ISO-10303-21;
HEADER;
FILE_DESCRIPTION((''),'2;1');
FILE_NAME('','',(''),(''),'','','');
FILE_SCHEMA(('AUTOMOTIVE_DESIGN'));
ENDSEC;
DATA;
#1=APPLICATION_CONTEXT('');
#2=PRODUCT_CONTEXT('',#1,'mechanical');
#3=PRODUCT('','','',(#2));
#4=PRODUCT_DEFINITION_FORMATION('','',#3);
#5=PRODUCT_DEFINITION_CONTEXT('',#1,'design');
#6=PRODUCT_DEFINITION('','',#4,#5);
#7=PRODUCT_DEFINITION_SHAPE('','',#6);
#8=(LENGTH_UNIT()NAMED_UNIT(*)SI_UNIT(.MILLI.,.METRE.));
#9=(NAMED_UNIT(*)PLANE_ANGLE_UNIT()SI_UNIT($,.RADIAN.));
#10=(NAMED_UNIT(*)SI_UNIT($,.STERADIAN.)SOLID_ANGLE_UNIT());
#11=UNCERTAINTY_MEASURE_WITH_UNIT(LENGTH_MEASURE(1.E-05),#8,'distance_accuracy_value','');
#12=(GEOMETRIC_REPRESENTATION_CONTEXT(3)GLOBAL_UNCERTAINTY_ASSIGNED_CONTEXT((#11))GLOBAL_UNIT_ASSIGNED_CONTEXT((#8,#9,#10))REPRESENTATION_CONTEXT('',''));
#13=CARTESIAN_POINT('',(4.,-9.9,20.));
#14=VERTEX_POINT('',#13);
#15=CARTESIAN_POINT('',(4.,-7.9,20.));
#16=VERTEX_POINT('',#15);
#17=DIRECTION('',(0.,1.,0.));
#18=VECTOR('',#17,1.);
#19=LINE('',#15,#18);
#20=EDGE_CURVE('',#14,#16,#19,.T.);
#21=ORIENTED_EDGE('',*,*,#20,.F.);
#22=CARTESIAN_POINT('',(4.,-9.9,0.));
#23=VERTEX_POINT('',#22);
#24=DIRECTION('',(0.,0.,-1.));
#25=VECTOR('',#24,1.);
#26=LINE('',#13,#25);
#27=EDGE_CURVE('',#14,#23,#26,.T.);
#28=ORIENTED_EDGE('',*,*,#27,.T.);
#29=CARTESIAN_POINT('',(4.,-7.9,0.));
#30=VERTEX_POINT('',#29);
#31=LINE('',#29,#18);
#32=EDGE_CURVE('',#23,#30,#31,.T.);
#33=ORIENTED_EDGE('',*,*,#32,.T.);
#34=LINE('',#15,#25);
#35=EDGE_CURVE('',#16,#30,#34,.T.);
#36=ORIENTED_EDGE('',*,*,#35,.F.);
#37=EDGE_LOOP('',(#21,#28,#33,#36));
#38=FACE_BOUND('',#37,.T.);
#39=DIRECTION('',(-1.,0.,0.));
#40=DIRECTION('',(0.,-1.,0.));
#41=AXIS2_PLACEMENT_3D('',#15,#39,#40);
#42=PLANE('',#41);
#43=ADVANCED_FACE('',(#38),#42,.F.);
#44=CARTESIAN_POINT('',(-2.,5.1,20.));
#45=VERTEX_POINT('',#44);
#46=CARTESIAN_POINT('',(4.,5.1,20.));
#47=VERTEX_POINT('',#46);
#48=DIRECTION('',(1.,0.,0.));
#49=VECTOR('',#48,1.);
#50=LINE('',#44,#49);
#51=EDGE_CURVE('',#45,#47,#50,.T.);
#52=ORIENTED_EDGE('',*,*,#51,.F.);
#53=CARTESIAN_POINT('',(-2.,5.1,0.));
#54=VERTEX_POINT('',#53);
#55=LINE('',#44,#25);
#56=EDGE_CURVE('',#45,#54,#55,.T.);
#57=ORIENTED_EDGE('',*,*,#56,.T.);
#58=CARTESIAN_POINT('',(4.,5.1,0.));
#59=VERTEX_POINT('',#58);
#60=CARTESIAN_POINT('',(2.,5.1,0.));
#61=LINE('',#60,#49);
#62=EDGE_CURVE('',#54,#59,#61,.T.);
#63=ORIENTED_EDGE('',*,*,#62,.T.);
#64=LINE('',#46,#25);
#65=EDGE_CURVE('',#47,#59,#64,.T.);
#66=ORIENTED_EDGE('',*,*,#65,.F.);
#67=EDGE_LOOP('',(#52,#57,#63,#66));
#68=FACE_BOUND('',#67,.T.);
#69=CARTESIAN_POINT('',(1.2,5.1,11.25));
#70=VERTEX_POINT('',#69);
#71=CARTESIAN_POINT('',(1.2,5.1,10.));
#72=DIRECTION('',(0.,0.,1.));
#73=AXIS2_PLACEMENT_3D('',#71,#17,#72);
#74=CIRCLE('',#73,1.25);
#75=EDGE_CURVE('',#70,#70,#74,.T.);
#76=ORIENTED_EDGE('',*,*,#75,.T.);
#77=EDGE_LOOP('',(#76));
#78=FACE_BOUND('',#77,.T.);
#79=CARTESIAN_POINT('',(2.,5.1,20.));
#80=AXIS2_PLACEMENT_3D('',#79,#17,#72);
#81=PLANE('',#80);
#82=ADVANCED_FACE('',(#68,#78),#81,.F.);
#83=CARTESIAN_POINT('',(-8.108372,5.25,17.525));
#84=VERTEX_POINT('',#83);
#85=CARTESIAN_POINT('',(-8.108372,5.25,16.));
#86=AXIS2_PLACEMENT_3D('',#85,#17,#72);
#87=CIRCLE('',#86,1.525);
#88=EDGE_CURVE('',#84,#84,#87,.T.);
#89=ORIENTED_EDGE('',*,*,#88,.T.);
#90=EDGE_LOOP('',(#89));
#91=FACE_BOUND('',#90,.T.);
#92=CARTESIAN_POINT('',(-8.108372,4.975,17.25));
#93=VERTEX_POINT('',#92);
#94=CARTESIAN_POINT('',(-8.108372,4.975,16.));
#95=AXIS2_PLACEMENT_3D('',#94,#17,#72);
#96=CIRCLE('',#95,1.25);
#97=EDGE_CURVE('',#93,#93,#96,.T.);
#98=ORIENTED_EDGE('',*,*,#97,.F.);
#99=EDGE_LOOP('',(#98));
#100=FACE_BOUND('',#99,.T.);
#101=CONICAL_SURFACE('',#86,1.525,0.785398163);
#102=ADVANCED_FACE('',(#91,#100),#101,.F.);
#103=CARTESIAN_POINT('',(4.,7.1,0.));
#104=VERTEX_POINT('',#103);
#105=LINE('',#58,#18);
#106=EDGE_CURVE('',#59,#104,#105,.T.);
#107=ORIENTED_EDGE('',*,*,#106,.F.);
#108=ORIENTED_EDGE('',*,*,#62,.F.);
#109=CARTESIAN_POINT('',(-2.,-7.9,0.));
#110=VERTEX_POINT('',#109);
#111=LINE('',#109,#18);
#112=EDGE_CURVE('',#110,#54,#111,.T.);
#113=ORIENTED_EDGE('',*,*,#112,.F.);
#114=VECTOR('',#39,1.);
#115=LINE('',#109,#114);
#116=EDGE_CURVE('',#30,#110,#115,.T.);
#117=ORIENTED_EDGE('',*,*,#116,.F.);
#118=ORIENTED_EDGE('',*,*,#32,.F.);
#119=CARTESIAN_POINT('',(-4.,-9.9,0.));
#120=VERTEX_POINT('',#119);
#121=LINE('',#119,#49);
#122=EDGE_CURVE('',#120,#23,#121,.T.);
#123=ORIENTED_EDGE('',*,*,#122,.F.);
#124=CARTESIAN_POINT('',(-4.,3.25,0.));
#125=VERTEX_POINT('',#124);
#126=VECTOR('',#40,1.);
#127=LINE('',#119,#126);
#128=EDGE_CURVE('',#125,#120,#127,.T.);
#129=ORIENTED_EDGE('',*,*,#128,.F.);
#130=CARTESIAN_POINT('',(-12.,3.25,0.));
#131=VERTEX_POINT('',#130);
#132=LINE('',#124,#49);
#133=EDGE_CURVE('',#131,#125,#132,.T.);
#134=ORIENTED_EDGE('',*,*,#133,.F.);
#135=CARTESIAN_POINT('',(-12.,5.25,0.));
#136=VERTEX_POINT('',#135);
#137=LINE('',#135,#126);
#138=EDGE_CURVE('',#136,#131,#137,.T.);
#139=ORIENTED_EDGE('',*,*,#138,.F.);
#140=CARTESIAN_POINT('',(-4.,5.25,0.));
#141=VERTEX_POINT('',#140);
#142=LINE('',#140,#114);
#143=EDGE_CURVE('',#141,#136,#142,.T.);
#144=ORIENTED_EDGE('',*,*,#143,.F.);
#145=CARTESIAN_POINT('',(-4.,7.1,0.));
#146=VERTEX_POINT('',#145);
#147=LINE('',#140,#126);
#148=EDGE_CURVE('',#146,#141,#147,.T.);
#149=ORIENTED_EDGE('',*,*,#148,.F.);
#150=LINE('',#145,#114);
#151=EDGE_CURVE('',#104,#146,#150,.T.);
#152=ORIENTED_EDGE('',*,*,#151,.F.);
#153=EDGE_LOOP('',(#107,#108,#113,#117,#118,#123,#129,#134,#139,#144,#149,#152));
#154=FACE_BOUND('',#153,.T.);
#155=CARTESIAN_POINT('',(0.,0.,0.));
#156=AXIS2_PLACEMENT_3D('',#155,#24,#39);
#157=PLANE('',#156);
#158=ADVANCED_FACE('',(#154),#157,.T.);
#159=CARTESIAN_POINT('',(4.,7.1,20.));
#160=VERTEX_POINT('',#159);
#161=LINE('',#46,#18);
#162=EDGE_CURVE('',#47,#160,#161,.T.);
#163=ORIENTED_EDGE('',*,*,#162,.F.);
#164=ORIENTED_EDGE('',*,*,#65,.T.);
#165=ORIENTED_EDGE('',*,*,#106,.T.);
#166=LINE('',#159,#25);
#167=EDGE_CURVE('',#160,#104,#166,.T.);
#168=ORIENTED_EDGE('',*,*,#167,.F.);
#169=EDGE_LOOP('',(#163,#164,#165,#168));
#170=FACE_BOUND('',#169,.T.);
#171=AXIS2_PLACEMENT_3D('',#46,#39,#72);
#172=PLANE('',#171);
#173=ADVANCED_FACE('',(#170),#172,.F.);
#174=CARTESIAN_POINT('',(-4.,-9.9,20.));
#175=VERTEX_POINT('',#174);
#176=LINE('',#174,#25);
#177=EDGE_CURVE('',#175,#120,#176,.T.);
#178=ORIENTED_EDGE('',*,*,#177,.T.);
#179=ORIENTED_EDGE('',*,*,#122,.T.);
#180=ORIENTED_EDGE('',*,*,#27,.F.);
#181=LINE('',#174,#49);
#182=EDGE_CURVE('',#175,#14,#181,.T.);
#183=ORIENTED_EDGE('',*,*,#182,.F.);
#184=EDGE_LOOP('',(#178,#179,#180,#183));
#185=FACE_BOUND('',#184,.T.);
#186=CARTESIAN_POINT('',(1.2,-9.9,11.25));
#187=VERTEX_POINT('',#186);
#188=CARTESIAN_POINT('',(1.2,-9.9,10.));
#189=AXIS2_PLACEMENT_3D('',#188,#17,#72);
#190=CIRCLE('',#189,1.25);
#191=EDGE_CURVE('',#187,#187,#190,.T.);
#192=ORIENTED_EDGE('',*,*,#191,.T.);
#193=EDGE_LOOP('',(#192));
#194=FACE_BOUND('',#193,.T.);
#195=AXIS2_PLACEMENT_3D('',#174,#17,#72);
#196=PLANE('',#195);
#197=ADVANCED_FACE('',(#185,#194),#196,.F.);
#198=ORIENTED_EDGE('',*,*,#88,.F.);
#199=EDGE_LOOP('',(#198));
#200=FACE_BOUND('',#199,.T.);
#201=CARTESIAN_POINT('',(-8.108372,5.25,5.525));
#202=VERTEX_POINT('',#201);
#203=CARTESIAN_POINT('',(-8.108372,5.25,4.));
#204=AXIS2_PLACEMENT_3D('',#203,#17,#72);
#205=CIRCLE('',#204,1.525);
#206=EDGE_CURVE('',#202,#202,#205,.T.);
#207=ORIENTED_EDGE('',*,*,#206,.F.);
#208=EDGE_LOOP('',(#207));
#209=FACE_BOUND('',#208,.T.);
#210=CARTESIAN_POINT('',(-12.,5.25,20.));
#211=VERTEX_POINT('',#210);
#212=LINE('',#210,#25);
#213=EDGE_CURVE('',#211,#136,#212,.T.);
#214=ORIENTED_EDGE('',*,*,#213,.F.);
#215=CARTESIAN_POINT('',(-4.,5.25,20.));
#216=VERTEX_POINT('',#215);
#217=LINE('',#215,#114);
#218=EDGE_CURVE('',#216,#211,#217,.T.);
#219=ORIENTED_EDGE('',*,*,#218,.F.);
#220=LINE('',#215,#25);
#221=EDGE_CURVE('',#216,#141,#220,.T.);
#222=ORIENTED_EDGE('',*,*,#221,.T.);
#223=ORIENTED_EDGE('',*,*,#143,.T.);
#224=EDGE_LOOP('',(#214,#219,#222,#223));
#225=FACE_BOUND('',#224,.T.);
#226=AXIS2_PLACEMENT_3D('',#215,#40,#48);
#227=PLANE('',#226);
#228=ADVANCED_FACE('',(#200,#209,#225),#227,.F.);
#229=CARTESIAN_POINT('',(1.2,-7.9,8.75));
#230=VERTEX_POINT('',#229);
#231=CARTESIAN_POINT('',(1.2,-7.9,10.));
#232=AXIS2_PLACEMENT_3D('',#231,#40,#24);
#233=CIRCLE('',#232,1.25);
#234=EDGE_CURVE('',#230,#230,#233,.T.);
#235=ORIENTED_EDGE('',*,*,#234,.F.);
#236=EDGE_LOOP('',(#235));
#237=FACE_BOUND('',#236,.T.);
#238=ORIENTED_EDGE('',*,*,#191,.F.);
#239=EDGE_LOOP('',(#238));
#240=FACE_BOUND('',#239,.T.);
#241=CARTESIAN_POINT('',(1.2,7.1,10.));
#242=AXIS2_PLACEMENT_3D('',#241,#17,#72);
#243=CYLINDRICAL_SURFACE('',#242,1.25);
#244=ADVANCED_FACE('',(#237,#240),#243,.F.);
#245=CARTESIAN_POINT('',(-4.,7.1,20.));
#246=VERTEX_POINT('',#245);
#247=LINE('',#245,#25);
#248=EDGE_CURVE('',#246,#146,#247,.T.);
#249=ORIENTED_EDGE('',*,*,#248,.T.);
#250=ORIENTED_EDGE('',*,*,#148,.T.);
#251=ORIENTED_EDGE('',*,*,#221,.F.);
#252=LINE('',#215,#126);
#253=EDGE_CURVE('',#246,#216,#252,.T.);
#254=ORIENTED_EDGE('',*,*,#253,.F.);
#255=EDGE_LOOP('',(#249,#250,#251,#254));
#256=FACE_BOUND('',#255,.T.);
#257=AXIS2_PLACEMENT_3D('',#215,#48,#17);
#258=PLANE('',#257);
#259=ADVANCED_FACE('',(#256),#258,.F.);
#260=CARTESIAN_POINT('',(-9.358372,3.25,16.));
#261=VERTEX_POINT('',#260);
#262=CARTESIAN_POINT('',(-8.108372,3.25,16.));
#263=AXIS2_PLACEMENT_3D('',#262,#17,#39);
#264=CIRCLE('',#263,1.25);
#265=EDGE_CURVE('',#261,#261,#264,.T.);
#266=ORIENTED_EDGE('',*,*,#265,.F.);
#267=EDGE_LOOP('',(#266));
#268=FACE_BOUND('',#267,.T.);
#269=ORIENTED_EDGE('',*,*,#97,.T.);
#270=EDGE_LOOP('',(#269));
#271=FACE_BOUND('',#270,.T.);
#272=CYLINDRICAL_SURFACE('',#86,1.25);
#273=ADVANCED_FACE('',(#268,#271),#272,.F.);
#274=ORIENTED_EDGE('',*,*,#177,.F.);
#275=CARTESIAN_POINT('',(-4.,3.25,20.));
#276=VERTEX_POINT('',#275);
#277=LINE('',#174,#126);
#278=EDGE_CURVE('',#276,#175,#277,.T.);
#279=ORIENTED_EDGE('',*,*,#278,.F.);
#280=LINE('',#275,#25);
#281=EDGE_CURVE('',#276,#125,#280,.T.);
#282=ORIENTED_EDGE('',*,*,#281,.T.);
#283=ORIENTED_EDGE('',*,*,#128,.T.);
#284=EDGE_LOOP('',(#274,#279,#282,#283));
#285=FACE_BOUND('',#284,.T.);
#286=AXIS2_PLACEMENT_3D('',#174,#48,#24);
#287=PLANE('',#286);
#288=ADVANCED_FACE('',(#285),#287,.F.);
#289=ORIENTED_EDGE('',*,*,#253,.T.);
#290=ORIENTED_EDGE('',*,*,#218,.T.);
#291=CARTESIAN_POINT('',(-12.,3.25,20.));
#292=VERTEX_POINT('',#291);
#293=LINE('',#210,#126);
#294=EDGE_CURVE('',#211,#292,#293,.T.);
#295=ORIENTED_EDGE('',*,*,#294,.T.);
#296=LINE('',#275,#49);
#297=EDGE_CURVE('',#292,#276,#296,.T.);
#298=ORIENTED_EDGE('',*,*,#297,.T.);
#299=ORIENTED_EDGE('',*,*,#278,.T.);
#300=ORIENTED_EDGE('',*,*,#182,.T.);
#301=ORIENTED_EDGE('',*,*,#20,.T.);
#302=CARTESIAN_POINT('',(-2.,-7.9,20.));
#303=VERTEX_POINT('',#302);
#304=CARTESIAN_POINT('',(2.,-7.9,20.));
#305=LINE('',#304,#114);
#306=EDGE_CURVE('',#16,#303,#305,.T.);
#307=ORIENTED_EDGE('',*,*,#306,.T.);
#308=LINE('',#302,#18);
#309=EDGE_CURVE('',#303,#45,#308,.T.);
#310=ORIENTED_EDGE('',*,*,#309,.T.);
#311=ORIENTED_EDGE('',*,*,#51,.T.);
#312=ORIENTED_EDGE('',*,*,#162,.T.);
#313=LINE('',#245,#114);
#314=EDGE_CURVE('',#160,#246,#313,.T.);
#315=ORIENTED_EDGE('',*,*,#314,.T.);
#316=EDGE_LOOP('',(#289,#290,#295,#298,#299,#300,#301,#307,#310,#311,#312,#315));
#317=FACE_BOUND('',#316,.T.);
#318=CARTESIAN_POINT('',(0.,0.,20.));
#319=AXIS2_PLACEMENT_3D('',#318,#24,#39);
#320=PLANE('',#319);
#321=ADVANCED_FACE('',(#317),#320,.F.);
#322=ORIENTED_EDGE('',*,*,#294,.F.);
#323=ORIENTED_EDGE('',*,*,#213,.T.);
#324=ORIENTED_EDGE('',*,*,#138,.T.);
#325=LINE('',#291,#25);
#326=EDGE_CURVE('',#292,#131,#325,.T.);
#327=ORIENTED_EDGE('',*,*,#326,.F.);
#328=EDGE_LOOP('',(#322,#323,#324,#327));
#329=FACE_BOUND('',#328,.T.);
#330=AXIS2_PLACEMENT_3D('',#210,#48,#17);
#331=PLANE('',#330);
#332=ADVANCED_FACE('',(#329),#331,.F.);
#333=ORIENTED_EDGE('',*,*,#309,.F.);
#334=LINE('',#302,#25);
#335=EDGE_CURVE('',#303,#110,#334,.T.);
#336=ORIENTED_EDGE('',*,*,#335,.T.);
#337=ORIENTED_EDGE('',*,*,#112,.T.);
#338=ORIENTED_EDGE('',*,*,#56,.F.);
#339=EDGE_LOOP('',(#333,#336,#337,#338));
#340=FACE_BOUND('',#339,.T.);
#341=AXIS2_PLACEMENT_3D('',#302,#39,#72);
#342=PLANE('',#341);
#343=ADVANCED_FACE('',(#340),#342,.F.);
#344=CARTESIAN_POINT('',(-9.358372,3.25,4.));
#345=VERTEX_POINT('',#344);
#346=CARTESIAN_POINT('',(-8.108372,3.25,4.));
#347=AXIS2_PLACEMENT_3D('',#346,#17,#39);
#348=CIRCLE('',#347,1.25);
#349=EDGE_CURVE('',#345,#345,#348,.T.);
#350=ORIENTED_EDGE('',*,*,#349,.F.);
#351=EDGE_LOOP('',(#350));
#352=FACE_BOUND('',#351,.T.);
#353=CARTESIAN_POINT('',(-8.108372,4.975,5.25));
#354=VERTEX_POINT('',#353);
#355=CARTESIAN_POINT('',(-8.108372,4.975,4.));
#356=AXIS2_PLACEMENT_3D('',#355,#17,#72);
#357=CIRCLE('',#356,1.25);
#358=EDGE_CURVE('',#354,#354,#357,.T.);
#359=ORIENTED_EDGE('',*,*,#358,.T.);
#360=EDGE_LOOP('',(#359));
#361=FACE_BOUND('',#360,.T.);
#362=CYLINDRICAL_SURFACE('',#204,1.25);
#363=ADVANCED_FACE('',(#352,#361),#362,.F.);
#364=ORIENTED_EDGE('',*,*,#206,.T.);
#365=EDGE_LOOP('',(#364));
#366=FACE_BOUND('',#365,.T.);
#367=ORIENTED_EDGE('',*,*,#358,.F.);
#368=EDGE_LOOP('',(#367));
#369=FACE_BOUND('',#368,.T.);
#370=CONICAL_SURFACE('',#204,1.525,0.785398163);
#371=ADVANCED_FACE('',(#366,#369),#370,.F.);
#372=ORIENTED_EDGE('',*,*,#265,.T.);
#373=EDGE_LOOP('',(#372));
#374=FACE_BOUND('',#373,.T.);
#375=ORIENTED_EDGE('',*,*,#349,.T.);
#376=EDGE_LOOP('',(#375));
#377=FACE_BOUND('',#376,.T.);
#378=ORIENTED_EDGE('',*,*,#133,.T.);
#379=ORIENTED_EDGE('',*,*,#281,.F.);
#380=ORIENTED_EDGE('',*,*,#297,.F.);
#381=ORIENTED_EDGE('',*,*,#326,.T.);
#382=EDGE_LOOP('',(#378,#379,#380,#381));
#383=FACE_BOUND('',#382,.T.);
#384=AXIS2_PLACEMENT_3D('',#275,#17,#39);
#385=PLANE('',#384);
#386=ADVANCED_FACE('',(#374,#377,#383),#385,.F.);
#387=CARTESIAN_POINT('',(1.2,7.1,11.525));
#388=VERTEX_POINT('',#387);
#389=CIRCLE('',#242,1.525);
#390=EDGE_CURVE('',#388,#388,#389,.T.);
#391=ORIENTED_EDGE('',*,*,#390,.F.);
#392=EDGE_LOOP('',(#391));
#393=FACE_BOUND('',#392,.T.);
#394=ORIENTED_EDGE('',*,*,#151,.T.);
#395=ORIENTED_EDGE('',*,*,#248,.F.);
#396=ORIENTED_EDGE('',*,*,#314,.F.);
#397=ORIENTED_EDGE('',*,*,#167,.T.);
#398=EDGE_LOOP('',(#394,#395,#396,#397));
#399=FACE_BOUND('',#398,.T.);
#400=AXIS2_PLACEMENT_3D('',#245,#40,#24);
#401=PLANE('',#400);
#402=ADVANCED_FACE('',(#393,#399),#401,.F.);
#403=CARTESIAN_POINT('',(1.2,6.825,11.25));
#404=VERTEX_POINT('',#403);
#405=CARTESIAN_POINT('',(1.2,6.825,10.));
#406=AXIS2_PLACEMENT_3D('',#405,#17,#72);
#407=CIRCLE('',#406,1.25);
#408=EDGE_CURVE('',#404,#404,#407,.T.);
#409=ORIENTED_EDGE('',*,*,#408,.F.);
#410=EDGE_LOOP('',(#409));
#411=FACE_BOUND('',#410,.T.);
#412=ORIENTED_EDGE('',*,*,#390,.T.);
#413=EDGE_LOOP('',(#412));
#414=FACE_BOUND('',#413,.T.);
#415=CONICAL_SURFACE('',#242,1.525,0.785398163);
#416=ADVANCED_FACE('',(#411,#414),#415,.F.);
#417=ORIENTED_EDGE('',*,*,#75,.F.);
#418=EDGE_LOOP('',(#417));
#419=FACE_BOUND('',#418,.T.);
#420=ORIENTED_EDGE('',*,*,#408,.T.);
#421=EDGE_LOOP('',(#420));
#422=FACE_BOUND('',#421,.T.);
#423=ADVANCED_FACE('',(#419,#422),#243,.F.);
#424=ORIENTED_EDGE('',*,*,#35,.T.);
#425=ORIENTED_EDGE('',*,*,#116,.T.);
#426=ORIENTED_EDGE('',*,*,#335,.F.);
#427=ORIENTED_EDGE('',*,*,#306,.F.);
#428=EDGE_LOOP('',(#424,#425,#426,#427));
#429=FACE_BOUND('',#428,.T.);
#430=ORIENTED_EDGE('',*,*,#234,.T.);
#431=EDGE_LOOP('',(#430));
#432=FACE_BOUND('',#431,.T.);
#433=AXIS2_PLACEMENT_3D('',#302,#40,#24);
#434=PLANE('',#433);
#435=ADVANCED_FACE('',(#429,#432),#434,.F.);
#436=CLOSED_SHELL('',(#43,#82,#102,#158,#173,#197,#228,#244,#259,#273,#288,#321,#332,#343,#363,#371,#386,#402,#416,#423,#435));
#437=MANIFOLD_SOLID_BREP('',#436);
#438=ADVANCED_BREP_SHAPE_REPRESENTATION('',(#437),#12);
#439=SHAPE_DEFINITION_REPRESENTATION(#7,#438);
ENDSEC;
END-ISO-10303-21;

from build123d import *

# Parameters (mm, degrees)
BOSS_EXTRUDE1_DEPTH         = 20
M3_TAPPED_HOLE1_D           = 2.5
M3_TAPPED_HOLE1_CSINK_D     = 3.05
M3_TAPPED_HOLE1_CSINK_ANGLE = 90
M3_TAPPED_HOLE2_D           = 2.5
M3_TAPPED_HOLE2_CSINK_D     = 3.05
M3_TAPPED_HOLE2_CSINK_ANGLE = 90


with BuildPart() as part:
    # Sketch1 → Boss-Extrude1 (new body)
    with BuildSketch(Plane.XY):
        Polygon((2, 5.1), (4, 5.1), (4, 7.1), (-4, 7.1), (-4, 5.25), (-12, 5.25), (-12, 3.25), (-4, 3.25), (-4, -9.9), (4, -9.9), (4, -7.9), (2, -7.9), (-2, -7.9), (-2, 5.1), align=None)
    extrude(amount=BOSS_EXTRUDE1_DEPTH)

    # M3 Tapped Hole1 (through all)
    with Locations(Plane(origin=(-8.108371913, 5.25, 4), x_dir=(1, 0, 0), z_dir=(0, 1, 0))):
        with Locations((0, 0), (0, -12)):
            CounterSinkHole(M3_TAPPED_HOLE1_D / 2, M3_TAPPED_HOLE1_CSINK_D / 2, counter_sink_angle=M3_TAPPED_HOLE1_CSINK_ANGLE)

    # M3 Tapped Hole2 (through all)
    with Locations(Plane(origin=(1.2, 7.1, 10), x_dir=(0, 0, 1), z_dir=(0, 1, 0))):
        with Locations((0, 0)):
            CounterSinkHole(M3_TAPPED_HOLE2_D / 2, M3_TAPPED_HOLE2_CSINK_D / 2, counter_sink_angle=M3_TAPPED_HOLE2_CSINK_ANGLE)


solid = part.part
